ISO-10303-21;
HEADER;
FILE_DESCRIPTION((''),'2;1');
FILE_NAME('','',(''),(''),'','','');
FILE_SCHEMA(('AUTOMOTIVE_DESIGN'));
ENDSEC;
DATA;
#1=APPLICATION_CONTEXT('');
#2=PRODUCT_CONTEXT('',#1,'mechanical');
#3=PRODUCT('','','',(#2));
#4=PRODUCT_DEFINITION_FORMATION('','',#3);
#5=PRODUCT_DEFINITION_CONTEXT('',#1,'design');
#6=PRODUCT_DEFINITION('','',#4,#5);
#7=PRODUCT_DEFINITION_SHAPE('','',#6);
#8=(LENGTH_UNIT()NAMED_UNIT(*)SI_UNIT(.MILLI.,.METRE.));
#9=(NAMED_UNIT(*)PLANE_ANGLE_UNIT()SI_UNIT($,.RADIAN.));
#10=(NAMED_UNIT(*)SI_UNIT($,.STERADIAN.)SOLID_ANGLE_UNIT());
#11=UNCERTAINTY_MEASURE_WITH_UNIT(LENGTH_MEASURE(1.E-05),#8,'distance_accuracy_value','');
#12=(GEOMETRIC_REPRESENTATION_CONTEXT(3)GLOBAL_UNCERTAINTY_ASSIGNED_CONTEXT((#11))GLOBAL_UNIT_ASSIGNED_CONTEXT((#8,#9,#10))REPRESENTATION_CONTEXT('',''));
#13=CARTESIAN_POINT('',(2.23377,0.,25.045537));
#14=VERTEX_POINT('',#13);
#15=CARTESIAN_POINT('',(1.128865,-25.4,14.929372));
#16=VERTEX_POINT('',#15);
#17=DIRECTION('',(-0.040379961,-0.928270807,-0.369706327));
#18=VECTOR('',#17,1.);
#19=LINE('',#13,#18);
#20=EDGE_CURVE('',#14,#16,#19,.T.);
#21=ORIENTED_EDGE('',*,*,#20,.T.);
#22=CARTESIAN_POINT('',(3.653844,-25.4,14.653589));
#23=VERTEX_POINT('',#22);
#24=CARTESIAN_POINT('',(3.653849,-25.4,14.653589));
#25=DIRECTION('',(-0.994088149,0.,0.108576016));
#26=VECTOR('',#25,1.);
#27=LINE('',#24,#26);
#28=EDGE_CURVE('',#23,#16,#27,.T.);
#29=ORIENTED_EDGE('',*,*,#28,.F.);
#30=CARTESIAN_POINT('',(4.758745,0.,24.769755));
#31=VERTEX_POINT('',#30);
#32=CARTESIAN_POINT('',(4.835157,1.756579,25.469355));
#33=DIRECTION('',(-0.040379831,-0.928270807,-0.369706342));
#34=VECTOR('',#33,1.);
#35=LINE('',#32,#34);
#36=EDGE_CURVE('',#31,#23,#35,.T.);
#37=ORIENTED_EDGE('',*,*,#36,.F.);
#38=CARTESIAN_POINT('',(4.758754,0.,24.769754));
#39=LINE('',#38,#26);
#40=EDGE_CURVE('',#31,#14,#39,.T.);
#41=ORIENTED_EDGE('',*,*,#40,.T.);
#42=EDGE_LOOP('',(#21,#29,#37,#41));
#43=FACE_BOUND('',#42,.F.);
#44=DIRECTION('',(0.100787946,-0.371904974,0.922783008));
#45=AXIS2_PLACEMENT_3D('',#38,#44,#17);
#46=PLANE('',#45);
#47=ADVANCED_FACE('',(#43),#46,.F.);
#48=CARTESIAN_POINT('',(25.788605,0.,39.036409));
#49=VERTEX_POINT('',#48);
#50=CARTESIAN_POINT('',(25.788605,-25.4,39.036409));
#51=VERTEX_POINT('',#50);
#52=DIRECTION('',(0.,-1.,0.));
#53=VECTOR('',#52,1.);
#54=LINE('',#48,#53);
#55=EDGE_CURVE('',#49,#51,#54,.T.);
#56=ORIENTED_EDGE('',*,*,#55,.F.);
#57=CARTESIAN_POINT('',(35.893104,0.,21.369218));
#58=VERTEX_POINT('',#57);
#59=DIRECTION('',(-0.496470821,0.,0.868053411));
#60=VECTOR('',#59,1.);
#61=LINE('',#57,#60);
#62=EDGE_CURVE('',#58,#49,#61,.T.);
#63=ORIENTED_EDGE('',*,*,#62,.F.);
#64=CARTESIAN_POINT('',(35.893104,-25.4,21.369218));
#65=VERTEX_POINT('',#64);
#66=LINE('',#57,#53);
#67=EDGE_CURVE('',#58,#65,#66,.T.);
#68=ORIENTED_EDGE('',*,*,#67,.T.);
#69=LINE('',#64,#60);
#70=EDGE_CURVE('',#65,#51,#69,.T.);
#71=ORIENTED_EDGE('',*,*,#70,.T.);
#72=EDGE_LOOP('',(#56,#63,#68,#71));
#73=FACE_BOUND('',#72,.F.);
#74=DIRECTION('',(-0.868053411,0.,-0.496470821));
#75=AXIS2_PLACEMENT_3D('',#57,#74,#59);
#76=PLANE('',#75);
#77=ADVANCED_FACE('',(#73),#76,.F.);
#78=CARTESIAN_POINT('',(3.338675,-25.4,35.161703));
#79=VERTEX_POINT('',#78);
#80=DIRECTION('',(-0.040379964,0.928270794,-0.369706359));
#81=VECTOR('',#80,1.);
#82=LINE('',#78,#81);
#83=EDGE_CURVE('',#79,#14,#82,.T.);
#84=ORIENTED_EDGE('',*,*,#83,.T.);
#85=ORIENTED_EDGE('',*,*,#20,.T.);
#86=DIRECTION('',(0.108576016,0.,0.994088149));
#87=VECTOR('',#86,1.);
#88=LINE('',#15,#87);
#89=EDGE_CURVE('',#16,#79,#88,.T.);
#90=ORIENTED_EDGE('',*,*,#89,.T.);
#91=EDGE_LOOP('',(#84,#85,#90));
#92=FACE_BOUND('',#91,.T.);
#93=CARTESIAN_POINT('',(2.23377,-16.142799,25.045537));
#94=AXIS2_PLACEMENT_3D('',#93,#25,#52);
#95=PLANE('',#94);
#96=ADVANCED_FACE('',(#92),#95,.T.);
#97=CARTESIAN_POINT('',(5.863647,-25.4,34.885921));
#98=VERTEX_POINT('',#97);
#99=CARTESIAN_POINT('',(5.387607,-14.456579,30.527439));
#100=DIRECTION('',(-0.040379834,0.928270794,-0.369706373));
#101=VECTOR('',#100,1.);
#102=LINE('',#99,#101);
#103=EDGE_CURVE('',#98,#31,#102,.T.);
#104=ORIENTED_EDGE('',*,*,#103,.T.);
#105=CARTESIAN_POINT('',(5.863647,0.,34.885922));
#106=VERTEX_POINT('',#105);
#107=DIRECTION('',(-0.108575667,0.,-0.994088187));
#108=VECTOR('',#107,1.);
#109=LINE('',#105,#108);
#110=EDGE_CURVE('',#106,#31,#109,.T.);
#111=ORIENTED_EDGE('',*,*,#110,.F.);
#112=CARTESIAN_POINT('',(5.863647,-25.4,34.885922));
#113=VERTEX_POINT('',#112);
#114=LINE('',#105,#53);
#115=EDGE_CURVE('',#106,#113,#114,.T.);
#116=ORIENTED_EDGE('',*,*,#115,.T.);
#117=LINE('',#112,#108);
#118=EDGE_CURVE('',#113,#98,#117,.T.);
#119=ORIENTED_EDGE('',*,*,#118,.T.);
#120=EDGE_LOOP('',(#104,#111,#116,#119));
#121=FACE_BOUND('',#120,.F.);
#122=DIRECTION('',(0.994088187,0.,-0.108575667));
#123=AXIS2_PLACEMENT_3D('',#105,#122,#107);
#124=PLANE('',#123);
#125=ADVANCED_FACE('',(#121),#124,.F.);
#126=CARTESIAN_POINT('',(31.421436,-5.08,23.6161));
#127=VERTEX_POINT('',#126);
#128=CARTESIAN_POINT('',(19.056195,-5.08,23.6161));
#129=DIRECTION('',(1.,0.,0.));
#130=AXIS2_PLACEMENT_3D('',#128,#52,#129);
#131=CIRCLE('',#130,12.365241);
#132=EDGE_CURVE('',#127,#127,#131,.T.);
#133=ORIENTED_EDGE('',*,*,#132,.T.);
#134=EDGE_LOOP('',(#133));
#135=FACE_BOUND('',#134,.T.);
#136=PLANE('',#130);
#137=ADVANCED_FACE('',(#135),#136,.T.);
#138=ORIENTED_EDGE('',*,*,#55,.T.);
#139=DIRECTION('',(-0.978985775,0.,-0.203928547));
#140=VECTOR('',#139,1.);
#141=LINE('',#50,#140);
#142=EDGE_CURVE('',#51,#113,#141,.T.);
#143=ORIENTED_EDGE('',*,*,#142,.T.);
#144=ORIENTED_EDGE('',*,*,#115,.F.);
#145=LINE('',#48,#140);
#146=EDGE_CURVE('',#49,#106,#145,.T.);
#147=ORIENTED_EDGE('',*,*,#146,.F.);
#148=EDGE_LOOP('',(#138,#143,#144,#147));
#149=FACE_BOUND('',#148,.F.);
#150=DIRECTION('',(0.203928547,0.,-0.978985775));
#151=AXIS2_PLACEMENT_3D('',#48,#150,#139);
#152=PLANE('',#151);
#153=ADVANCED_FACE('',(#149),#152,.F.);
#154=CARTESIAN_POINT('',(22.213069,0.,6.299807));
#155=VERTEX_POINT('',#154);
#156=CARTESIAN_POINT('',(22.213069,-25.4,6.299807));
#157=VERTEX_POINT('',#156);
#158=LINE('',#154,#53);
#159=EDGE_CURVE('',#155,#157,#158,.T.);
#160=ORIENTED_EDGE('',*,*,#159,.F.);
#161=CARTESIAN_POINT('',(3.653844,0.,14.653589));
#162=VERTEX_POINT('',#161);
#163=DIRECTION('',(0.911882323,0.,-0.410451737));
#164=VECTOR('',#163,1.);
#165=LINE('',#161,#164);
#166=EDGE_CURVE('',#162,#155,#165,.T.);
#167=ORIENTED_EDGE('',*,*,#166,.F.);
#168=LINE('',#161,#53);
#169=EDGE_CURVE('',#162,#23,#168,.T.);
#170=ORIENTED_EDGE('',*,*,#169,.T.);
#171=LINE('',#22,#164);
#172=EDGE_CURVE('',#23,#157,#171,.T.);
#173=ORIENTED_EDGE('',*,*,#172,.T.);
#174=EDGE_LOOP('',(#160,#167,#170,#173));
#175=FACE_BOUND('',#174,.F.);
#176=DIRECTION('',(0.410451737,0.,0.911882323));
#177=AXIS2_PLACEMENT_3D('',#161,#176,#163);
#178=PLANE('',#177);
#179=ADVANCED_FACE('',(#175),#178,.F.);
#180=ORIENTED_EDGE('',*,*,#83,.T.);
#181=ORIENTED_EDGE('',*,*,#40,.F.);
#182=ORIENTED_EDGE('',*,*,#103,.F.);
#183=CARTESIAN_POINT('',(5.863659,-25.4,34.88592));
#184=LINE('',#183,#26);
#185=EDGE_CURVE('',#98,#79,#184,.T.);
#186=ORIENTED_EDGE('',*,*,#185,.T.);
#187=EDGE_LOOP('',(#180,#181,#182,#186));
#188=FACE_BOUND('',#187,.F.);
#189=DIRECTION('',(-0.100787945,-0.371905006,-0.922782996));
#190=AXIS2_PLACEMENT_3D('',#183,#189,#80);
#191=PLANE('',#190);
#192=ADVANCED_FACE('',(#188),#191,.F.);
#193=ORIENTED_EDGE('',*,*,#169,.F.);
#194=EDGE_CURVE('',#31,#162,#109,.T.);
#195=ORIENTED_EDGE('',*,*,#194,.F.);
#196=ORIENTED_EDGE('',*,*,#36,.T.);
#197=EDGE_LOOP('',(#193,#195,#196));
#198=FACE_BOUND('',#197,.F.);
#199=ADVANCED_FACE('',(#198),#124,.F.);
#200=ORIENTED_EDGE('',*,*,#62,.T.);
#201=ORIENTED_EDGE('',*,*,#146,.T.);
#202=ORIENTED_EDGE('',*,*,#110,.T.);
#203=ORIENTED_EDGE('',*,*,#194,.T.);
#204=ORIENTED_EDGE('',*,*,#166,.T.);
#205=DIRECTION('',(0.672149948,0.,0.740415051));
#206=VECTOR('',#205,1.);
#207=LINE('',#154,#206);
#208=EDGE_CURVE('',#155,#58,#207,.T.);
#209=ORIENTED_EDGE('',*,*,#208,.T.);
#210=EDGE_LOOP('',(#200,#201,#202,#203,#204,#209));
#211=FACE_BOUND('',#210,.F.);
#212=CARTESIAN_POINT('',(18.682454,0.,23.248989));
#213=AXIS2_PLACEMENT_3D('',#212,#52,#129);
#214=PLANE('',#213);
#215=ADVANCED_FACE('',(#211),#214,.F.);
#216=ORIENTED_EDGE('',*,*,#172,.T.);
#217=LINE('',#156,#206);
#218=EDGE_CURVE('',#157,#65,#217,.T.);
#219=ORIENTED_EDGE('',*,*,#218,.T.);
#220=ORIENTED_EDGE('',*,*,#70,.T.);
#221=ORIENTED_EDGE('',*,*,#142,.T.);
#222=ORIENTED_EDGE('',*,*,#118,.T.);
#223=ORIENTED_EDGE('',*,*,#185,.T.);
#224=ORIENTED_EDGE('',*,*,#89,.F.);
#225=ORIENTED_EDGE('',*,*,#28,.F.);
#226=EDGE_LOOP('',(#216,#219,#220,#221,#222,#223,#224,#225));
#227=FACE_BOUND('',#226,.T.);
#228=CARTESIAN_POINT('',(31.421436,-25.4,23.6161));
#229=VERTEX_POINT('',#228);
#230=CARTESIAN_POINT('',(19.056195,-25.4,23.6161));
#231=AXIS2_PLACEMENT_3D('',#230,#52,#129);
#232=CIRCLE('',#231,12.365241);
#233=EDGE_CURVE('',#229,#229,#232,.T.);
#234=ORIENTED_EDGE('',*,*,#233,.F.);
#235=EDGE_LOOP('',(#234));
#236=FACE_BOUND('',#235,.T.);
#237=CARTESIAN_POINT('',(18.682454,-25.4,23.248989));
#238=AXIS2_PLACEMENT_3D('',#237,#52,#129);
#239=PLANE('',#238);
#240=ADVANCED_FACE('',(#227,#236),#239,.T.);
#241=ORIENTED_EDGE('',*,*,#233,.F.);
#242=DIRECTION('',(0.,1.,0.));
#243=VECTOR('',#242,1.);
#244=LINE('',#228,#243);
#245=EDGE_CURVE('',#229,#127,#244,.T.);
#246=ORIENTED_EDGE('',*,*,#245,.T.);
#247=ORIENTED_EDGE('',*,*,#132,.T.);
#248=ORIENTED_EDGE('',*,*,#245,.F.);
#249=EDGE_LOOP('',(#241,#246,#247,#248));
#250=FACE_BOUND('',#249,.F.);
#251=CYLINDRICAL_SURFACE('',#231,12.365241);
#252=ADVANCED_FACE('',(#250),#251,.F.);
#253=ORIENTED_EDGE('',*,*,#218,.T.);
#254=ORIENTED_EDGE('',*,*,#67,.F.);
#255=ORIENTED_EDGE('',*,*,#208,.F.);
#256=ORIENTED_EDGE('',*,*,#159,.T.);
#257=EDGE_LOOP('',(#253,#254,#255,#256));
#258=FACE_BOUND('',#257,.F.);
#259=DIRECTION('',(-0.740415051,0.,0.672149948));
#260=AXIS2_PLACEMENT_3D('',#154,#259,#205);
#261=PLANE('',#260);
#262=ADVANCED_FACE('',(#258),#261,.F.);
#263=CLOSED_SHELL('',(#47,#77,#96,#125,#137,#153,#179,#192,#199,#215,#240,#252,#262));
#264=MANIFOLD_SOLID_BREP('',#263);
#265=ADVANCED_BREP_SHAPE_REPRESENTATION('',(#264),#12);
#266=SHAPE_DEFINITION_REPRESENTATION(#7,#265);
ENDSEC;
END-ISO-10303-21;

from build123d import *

# Parameters (mm, degrees)
F1_DEPTH = 25.4
F2_R     = 12.365241
F3_DEPTH = 20.32
F5_DEPTH = 2.54


with BuildPart() as f1:
    # F0 (on Front) → F1 (new body)
    with BuildSketch(Plane.XZ):
        Polygon((22.213069, 6.299807), (35.893104, 21.369218), (25.788605, 39.036409), (5.863647, 34.885922), (3.653844, 14.653589), align=None)
    extrude(amount=F1_DEPTH)

    # F2 (on face) → F3 (cut)
    with BuildSketch(Plane.XZ.offset(25.4)):
        with Locations((19.056195, 23.6161)):
            Circle(F2_R)
    extrude(amount=-F3_DEPTH, mode=Mode.SUBTRACT)

    # F4 (on face) → F5 (join)
    with BuildSketch(Plane(origin=(2.029152, 0, -0.221627), x_dir=(0, -1, 0), z_dir=(-0.994088, 0, 0.108576))):
        Polygon((25.4, 14.963679), (25.4, 35.316332), (0, 25.140005), align=None)
    extrude(amount=F5_DEPTH)


solid = f1.part
